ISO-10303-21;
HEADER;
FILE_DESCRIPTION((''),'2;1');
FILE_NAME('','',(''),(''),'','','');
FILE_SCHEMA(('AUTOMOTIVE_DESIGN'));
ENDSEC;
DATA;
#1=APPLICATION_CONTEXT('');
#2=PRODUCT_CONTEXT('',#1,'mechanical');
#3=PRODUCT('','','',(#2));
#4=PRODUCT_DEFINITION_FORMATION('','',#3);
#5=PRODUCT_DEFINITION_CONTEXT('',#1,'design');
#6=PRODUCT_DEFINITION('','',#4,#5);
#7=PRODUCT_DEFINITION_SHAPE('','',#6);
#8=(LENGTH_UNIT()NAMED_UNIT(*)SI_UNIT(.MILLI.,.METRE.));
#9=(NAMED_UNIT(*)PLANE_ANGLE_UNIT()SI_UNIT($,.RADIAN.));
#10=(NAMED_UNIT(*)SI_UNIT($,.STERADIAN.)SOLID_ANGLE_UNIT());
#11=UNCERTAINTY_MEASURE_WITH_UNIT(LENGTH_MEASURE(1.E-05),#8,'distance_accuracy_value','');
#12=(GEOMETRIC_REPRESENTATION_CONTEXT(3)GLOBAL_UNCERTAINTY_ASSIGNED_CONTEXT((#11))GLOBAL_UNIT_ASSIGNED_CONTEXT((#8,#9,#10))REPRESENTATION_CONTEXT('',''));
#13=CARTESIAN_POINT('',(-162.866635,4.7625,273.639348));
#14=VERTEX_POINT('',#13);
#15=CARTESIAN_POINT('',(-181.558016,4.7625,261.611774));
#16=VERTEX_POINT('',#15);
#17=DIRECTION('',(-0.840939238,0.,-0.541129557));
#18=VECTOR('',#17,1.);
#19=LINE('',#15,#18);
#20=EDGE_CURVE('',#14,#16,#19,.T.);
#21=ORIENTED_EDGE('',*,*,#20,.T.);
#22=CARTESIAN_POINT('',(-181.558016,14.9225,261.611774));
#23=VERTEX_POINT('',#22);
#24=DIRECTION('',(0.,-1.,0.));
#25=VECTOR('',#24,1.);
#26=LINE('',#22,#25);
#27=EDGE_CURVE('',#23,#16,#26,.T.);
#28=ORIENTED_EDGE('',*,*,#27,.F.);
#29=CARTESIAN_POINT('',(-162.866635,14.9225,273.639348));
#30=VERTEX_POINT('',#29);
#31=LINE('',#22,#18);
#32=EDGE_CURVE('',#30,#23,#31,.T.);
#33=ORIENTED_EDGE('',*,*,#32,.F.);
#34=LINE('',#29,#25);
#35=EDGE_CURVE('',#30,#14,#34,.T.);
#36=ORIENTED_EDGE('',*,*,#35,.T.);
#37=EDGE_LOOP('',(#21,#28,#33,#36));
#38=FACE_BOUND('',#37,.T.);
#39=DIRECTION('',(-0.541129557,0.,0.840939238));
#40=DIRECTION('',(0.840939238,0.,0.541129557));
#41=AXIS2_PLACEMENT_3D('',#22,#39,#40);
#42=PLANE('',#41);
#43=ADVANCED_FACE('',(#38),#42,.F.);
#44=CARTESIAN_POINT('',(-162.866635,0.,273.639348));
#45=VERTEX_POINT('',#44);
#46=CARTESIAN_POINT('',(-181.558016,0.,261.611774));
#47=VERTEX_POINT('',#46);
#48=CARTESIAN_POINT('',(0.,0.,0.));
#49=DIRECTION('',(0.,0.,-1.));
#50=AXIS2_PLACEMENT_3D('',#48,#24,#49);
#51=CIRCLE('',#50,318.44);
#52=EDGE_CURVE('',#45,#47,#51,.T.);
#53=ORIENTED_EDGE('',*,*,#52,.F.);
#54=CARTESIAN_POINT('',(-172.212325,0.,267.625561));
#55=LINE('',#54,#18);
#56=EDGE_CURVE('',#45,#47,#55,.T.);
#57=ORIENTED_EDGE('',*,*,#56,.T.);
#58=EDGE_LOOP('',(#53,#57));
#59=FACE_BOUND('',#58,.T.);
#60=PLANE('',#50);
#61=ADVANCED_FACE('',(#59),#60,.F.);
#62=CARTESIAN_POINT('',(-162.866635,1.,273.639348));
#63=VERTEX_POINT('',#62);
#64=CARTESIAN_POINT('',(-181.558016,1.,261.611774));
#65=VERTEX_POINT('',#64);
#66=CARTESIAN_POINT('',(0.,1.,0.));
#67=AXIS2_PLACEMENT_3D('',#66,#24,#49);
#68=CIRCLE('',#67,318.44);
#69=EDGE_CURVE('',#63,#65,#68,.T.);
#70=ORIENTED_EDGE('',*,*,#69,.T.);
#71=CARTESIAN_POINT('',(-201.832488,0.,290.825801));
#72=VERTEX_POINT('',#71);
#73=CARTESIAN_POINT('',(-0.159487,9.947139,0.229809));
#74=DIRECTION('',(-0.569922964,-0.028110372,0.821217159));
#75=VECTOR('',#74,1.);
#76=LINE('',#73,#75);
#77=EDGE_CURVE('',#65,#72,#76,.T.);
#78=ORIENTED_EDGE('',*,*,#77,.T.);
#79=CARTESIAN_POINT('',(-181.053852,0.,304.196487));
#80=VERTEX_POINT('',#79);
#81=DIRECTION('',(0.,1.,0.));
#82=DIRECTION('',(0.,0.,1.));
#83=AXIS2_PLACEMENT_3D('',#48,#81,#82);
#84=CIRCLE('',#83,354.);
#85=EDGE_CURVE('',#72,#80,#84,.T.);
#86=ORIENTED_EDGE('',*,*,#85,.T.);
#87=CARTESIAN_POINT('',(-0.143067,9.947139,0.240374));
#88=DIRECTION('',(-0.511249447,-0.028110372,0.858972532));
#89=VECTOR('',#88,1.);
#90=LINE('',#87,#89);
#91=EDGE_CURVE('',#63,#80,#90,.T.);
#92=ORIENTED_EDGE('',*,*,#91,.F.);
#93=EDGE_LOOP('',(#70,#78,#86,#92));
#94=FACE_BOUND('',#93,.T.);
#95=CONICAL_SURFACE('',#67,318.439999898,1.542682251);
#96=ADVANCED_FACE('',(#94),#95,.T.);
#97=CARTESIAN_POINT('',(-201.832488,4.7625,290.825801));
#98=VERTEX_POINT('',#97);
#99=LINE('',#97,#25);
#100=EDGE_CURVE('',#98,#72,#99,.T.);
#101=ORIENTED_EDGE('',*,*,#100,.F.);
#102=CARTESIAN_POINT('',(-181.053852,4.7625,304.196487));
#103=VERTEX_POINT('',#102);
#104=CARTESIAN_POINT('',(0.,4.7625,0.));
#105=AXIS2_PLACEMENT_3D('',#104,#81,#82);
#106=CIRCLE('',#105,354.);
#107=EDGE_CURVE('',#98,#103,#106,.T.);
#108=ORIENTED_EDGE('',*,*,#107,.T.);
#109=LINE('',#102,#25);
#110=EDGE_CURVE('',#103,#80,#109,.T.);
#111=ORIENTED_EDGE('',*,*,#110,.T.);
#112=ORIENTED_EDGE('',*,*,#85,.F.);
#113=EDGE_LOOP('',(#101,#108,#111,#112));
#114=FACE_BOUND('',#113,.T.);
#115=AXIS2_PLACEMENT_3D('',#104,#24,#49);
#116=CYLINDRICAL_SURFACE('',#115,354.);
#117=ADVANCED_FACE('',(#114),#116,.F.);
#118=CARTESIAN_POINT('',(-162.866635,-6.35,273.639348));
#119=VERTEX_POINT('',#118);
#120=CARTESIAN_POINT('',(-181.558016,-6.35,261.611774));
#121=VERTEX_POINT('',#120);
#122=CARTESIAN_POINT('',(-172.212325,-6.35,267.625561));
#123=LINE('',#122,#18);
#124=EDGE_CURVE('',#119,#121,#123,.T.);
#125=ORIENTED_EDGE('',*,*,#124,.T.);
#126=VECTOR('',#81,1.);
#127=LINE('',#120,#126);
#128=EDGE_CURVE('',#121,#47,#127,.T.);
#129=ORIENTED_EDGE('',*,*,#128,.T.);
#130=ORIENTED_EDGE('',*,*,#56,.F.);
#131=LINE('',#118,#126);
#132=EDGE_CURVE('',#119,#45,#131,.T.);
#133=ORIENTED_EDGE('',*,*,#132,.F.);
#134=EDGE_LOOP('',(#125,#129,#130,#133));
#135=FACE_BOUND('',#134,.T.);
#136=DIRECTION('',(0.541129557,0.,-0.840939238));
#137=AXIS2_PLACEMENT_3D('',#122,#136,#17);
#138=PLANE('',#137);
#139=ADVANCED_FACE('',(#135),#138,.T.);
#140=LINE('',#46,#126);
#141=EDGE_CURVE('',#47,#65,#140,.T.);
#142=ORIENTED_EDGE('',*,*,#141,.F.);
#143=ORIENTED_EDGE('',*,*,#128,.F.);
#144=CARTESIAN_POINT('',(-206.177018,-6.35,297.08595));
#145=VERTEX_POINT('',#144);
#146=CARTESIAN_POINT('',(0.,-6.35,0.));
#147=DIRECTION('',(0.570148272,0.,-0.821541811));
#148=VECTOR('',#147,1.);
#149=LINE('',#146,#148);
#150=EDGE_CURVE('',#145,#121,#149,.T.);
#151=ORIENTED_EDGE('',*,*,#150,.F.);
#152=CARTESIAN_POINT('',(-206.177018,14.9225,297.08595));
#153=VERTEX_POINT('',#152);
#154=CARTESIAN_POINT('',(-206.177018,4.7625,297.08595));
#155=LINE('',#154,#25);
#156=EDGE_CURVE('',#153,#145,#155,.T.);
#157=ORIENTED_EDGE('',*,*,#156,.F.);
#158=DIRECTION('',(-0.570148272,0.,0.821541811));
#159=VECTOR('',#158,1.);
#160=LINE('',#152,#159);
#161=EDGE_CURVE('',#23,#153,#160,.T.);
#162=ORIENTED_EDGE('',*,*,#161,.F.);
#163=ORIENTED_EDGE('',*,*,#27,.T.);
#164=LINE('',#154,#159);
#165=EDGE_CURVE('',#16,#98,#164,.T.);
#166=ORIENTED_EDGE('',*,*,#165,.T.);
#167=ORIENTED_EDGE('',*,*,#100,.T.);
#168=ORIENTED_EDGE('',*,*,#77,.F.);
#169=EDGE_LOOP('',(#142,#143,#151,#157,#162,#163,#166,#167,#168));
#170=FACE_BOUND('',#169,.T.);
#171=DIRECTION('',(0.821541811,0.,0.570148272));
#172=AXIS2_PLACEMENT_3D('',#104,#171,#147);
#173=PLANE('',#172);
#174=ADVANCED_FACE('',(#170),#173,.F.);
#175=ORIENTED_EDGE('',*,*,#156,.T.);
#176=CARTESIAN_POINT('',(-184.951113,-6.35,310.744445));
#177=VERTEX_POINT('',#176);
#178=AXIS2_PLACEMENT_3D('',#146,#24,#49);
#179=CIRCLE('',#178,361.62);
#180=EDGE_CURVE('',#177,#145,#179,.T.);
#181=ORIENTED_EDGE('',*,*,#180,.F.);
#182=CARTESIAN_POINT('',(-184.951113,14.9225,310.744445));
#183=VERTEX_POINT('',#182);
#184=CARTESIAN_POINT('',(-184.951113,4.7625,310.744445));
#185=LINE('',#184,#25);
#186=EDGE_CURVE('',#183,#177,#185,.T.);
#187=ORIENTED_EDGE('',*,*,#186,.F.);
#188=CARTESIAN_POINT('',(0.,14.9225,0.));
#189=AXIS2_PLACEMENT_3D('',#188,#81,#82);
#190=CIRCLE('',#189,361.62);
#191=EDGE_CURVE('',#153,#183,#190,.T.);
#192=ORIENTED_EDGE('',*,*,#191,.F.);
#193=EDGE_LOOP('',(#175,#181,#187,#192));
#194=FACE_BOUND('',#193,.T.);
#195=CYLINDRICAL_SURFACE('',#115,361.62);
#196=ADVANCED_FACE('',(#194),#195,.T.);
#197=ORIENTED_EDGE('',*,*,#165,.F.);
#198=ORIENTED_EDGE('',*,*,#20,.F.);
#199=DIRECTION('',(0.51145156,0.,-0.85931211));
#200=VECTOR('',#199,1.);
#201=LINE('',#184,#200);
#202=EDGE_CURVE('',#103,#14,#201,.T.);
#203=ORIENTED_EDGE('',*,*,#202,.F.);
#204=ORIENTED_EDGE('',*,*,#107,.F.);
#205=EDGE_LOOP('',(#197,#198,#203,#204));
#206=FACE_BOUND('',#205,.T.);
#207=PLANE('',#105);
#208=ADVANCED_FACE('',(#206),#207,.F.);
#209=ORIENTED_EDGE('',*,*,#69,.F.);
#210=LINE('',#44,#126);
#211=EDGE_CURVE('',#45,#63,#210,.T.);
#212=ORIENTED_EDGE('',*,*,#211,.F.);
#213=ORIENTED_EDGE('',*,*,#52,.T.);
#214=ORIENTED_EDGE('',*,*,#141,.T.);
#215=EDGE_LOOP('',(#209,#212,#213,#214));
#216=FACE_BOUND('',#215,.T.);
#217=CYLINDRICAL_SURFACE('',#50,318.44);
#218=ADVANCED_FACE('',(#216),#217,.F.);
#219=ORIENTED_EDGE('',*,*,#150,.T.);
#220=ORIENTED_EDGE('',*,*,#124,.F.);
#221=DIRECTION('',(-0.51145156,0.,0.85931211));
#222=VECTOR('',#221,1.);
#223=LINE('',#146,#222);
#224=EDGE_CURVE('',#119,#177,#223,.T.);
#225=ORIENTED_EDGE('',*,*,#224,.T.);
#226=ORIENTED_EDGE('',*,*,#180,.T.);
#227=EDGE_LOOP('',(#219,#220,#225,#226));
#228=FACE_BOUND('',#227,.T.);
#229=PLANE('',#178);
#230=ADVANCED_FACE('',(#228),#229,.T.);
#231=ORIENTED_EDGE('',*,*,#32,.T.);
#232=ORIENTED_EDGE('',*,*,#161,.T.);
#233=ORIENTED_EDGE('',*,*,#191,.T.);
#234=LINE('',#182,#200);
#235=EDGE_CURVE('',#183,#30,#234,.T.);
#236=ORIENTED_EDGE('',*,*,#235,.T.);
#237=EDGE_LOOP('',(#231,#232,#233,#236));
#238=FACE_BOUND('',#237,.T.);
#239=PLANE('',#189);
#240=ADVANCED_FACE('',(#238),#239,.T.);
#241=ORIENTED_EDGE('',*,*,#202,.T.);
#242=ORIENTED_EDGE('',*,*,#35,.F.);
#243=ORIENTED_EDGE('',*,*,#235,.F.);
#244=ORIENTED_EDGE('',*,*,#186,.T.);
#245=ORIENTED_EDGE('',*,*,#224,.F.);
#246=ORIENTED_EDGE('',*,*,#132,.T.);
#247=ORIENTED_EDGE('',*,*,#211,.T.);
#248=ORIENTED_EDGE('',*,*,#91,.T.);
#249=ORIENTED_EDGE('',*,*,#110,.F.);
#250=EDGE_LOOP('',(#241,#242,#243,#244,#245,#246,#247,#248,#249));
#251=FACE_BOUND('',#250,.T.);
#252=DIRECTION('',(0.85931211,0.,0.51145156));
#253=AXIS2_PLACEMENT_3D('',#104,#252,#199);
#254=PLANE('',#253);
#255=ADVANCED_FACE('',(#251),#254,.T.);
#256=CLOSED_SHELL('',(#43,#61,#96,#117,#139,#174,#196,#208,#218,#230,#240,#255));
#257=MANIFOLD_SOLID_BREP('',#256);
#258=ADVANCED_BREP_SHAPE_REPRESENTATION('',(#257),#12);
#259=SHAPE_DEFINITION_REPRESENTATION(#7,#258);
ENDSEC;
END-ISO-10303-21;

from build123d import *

# Parameters (mm, degrees)
BOSS_EXTRUDE1_DEPTH = 4.7625
BOSS_EXTRUDE2_DEPTH = 10.16
BOSS_EXTRUDE3_START = 6.35
BOSS_EXTRUDE3_DEPTH = 6.35
REVOLVE1_ANGLE      = 4


with BuildPart() as part:
    # Sketch1 → Boss-Extrude1 (new body)
    with BuildSketch(Plane(origin=(0, 0, 0), x_dir=(1, 0, 0), z_dir=(0, 1, 0))):
        with BuildLine():
            Line((-201.832488243, -290.825801155), (-206.177018076, -297.085949758))
            ThreePointArc((-206.177018076, -297.085949758), (-195.683270483, -304.100447187), (-184.951112968, -310.744445064))
            Line((-184.951112968, -310.744445064), (-181.053852083, -304.196486787))
            ThreePointArc((-181.053852083, -304.196486787), (-191.559863256, -297.692490193), (-201.832488243, -290.825801155))
        make_face()
    extrude(amount=BOSS_EXTRUDE1_DEPTH)

    # Sketch2 → Boss-Extrude2 (add)
    with BuildSketch(Plane(origin=(0, 4.7625, 0), x_dir=(1, 0, 0), z_dir=(0, 1, 0))):
        with BuildLine():
            Line((-206.177018076, -297.085949758), (-181.558015689, -261.611774341))
            Line((-181.558015689, -261.611774341), (-162.86663462, -273.639348162))
            Line((-162.86663462, -273.639348162), (-184.951112968, -310.744445064))
            ThreePointArc((-184.951112968, -310.744445064), (-195.683270483, -304.100447187), (-206.177018076, -297.085949758))
        make_face()
    extrude(amount=BOSS_EXTRUDE2_DEPTH)

    # Sketch3 → Boss-Extrude3 (add)
    with BuildSketch(Plane.XZ.offset(BOSS_EXTRUDE3_START)):
        with BuildLine():
            ThreePointArc((-184.951112968, 310.744445064), (-195.683270483, 304.100447187), (-206.177018076, 297.085949758))
            Line((-206.177018076, 297.085949758), (-201.832488243, 290.825801155))
            ThreePointArc((-201.832488243, 290.825801155), (-191.559863256, 297.692490193), (-181.053852083, 304.196486787))
            Line((-181.053852083, 304.196486787), (-184.951112968, 310.744445064))
        make_face()
        with BuildLine():
            Line((-162.86663462, 273.639348162), (-181.053852083, 304.196486787))
            ThreePointArc((-181.053852083, 304.196486787), (-191.559863256, 297.692490193), (-201.832488243, 290.825801155))
            Line((-201.832488243, 290.825801155), (-181.558015689, 261.611774341))
            Line((-181.558015689, 261.611774341), (-162.86663462, 273.639348162))
        make_face()
    extrude(amount=-BOSS_EXTRUDE3_DEPTH)

    # Sketch4 → Revolve1 (revolve)
    with BuildSketch(Plane(origin=(0, 0, 0), x_dir=(-0.5701482720363652, 0, 0.8215418114094662), z_dir=(-0.8215418114094664, 0, -0.5701482720363652))):
        Polygon((318.439999898, 1), (353.999999898, 0), (318.439999898, 0), align=None)
    revolve(axis=Axis((0, 0, 0), (0, 1, 0)), revolution_arc=REVOLVE1_ANGLE)


solid = part.part
